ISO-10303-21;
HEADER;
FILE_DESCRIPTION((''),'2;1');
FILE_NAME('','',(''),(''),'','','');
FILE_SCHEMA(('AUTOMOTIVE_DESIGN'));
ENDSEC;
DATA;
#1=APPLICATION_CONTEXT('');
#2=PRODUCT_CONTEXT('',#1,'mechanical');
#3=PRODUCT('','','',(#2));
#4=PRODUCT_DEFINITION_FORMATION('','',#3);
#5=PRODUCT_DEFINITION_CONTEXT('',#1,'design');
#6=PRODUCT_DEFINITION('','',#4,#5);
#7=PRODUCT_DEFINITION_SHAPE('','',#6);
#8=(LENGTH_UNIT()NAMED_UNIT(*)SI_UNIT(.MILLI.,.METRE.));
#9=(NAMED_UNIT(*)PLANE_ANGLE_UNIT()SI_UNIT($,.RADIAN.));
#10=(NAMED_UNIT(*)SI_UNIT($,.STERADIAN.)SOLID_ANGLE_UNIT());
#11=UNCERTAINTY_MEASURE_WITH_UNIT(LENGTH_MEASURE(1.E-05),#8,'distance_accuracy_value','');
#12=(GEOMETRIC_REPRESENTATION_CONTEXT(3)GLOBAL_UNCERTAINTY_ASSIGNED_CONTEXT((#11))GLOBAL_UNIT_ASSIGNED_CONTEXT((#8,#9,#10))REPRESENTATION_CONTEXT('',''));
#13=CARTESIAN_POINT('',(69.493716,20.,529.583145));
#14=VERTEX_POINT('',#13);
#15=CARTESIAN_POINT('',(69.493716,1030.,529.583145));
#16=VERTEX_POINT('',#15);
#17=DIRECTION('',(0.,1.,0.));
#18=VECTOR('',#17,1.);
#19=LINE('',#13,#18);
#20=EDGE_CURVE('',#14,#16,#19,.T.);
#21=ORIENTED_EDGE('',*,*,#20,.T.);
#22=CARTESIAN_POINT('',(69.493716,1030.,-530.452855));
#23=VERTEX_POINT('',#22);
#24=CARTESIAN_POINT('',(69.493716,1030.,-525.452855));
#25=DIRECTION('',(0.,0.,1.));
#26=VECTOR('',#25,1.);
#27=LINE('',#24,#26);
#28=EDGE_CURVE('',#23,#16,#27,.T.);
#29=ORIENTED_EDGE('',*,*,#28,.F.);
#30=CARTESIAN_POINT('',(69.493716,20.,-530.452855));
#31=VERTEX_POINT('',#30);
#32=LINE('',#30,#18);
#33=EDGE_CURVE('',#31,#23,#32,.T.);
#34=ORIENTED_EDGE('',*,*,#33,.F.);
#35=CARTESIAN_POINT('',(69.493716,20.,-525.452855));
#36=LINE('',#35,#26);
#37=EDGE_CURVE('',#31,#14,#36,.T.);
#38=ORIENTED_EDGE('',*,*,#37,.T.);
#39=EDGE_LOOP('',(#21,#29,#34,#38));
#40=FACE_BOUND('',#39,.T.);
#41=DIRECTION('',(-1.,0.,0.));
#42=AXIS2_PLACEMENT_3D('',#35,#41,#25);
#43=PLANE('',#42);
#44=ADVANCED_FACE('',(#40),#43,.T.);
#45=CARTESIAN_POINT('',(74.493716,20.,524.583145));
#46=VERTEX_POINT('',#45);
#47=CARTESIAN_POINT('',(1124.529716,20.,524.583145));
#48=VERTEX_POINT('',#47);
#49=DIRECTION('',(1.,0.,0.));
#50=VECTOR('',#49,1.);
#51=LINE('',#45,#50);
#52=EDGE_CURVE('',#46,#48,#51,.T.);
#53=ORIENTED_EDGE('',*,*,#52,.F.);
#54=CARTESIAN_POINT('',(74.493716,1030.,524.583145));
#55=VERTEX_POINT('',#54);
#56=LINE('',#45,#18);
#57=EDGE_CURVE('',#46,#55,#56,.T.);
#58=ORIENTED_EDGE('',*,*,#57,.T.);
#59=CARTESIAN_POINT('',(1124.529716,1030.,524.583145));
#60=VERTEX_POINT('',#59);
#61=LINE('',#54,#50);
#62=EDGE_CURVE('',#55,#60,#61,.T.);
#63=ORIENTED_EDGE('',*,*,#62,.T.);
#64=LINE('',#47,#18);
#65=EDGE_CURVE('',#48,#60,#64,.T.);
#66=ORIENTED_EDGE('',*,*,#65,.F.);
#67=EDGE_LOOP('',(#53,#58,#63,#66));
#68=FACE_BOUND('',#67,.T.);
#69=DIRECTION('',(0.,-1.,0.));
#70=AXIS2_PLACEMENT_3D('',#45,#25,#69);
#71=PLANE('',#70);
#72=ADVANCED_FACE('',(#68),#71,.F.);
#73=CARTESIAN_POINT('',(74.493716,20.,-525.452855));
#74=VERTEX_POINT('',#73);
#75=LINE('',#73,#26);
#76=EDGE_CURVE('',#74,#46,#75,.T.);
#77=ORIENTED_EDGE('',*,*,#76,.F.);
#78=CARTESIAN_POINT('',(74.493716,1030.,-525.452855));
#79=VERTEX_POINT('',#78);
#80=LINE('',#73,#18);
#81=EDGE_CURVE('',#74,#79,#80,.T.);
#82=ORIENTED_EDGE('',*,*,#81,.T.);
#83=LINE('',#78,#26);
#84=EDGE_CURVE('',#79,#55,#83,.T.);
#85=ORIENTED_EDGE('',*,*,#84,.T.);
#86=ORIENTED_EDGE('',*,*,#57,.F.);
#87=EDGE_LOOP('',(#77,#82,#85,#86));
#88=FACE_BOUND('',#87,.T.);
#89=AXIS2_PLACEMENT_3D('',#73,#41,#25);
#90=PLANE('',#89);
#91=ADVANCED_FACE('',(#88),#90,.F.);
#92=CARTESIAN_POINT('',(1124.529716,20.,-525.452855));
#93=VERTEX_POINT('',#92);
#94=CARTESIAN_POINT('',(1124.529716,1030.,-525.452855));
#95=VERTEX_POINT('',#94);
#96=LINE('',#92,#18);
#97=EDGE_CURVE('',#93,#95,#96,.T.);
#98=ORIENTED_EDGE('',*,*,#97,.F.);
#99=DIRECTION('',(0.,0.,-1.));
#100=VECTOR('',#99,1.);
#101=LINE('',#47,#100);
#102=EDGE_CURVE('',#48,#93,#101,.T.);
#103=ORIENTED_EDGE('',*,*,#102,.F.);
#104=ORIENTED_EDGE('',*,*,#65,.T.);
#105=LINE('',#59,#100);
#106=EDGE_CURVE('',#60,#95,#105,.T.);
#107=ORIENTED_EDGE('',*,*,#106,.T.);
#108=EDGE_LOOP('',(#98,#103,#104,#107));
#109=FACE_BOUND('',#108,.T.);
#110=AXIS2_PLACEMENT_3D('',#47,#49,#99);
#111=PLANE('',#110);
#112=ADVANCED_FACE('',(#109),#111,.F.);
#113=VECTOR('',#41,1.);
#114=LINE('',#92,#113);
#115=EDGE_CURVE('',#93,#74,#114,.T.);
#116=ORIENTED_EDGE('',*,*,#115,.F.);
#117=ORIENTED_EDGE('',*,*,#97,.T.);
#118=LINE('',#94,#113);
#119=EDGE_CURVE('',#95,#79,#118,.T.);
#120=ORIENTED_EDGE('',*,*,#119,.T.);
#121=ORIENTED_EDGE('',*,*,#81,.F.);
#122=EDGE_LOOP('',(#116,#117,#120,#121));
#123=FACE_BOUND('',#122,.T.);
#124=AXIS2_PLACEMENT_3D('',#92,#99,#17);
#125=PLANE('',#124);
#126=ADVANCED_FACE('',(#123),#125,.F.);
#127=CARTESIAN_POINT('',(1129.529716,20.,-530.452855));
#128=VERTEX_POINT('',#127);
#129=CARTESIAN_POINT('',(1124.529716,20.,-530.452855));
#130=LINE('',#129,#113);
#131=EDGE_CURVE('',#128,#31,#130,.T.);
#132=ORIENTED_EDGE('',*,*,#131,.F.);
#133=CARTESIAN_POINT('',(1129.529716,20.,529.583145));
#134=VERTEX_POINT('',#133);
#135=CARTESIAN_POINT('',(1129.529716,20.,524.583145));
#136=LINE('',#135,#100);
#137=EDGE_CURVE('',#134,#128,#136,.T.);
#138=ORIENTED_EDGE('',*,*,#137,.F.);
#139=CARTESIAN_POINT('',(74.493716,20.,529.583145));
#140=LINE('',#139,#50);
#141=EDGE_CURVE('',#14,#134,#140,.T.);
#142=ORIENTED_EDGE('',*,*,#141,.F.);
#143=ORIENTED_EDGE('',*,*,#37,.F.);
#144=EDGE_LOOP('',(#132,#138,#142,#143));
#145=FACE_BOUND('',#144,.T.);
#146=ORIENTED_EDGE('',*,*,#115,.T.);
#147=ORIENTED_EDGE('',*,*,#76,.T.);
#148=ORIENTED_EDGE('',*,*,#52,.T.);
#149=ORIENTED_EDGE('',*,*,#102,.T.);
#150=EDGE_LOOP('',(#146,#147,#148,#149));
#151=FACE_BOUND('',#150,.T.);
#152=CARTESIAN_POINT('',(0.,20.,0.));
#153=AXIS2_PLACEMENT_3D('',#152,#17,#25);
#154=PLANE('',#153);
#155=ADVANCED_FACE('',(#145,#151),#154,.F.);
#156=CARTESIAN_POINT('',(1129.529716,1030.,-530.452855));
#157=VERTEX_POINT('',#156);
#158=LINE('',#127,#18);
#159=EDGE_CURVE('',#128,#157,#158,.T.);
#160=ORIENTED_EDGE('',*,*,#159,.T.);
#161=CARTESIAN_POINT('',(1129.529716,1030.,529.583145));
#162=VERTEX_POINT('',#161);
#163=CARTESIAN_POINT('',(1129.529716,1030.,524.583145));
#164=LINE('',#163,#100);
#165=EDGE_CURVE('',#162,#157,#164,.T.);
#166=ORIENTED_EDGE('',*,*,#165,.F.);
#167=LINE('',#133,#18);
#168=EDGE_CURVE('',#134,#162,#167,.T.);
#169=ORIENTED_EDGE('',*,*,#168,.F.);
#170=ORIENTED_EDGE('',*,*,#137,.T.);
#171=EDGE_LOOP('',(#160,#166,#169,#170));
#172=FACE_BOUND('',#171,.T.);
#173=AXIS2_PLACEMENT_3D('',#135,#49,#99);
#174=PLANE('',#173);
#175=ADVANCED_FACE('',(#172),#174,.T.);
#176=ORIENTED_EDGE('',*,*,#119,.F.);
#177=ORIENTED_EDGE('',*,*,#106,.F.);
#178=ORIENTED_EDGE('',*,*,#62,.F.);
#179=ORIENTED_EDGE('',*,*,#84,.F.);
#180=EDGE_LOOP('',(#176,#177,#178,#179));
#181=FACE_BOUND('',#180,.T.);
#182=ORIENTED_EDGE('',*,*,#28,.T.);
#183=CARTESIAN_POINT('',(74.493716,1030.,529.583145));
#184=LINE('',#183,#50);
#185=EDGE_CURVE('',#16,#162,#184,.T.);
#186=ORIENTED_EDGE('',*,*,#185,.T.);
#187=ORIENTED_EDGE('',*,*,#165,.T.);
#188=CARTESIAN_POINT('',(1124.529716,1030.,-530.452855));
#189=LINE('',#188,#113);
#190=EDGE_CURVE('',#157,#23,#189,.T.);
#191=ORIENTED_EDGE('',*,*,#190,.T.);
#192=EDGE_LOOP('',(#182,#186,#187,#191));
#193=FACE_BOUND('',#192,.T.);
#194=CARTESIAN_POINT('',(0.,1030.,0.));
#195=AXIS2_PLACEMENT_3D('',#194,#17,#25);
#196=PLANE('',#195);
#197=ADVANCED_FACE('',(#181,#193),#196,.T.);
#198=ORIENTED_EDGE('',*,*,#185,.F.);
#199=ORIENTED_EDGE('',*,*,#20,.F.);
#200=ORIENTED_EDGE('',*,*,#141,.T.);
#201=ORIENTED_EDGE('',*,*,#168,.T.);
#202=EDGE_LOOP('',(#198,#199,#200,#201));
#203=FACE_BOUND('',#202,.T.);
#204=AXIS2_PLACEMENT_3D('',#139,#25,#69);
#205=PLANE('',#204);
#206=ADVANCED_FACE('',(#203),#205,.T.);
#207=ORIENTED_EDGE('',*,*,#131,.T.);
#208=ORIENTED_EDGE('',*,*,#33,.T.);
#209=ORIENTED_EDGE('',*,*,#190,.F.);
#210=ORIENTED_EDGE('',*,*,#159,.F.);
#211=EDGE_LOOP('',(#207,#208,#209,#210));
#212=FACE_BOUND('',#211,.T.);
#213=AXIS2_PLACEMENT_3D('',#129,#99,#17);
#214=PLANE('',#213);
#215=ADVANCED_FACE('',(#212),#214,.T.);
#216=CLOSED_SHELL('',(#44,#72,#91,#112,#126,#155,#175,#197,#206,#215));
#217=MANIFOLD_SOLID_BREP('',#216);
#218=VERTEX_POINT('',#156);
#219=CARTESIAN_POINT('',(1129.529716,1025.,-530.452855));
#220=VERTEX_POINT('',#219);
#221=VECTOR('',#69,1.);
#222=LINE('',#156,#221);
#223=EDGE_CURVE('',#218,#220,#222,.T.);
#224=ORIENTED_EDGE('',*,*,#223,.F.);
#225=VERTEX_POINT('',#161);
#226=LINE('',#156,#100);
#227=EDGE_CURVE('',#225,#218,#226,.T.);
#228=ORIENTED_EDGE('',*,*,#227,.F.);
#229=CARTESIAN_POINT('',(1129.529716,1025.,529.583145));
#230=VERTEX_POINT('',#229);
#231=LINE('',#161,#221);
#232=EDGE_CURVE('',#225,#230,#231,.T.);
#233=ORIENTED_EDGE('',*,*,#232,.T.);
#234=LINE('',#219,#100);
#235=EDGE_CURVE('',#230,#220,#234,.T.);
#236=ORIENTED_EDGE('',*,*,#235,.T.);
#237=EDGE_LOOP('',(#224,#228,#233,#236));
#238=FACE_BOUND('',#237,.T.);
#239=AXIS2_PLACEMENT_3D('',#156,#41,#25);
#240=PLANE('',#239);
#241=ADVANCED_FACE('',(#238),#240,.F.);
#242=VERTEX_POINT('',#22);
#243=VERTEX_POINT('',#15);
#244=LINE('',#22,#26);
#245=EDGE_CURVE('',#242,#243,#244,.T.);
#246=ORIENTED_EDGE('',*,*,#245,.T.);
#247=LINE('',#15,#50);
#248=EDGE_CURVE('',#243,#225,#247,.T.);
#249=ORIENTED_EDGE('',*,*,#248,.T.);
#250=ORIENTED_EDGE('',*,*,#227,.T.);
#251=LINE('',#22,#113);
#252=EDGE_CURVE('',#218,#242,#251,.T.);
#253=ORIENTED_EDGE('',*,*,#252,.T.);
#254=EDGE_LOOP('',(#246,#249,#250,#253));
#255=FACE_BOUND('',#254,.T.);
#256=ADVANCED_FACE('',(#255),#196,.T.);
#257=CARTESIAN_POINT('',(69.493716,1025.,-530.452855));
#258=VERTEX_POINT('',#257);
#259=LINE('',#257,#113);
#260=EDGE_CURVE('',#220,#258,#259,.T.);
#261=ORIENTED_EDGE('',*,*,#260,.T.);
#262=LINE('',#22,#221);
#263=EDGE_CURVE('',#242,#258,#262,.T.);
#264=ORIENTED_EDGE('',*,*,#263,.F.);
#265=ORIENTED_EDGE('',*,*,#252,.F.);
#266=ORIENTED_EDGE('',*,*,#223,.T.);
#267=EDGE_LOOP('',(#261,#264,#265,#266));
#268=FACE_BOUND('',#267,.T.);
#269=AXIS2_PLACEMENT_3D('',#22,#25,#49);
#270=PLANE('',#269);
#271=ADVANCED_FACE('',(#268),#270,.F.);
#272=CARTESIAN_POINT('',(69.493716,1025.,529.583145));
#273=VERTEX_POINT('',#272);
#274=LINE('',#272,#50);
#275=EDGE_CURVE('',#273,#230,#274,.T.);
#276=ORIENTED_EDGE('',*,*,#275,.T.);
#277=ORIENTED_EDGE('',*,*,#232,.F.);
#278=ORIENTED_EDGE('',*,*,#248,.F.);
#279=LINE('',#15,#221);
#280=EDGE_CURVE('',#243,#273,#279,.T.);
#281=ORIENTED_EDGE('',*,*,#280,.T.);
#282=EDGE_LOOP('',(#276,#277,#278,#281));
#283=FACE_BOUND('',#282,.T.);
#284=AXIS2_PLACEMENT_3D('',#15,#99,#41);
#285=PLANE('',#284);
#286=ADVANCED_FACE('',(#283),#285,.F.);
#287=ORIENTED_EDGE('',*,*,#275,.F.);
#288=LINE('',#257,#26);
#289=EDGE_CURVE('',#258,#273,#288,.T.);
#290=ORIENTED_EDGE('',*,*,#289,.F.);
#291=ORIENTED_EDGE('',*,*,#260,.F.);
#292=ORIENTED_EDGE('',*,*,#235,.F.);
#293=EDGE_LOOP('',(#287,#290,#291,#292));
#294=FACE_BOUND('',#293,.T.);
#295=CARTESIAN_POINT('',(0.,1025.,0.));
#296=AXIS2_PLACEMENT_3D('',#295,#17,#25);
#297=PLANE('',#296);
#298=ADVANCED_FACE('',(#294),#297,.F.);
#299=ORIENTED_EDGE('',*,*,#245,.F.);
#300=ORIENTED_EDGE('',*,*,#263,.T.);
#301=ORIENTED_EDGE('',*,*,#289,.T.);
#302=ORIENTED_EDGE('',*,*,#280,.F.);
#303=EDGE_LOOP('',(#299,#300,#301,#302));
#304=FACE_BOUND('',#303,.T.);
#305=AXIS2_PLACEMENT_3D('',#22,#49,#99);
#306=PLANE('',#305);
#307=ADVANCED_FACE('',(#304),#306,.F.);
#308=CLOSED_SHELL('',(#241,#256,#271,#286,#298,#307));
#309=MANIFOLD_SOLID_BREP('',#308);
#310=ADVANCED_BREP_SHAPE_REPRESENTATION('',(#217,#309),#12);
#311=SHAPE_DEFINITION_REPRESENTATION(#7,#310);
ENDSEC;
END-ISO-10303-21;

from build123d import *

# Parameters (mm, degrees)
SKETCH2_W           = 1060.036
SKETCH2_H           = 1060.036
SKETCH2_W_2         = 1050.036
SKETCH2_H_2         = 1050.036
EXTRUDE_THIN1_DEPTH = 1010
SKETCH4_W           = 1060.036
SKETCH4_H           = 1060.036
BOSS_EXTRUDE1_DEPTH = 5


with BuildPart() as part:
    # Sketch2 → Extrude-Thin1 (new body)
    with BuildSketch(Plane(origin=(0, 1030, 0), x_dir=(1, 0, 0), z_dir=(0, 1, 0))):
        with Locations((599.511716421, 0.434855008)):
            Rectangle(SKETCH2_W, SKETCH2_H)
        with Locations((599.511716421, 0.434855008)):
            Rectangle(SKETCH2_W_2, SKETCH2_H_2, mode=Mode.SUBTRACT)
    extrude(amount=-EXTRUDE_THIN1_DEPTH)


with BuildPart() as body_2:
    # Sketch4 → Boss-Extrude1 (new body)
    with BuildSketch(Plane(origin=(0, 1025, 0), x_dir=(1, 0, 0), z_dir=(0, 1, 0))):
        with Locations((599.511716421, 0.434855008)):
            Rectangle(SKETCH4_W, SKETCH4_H)
    extrude(amount=BOSS_EXTRUDE1_DEPTH)


solid = Compound([part.part, body_2.part])
